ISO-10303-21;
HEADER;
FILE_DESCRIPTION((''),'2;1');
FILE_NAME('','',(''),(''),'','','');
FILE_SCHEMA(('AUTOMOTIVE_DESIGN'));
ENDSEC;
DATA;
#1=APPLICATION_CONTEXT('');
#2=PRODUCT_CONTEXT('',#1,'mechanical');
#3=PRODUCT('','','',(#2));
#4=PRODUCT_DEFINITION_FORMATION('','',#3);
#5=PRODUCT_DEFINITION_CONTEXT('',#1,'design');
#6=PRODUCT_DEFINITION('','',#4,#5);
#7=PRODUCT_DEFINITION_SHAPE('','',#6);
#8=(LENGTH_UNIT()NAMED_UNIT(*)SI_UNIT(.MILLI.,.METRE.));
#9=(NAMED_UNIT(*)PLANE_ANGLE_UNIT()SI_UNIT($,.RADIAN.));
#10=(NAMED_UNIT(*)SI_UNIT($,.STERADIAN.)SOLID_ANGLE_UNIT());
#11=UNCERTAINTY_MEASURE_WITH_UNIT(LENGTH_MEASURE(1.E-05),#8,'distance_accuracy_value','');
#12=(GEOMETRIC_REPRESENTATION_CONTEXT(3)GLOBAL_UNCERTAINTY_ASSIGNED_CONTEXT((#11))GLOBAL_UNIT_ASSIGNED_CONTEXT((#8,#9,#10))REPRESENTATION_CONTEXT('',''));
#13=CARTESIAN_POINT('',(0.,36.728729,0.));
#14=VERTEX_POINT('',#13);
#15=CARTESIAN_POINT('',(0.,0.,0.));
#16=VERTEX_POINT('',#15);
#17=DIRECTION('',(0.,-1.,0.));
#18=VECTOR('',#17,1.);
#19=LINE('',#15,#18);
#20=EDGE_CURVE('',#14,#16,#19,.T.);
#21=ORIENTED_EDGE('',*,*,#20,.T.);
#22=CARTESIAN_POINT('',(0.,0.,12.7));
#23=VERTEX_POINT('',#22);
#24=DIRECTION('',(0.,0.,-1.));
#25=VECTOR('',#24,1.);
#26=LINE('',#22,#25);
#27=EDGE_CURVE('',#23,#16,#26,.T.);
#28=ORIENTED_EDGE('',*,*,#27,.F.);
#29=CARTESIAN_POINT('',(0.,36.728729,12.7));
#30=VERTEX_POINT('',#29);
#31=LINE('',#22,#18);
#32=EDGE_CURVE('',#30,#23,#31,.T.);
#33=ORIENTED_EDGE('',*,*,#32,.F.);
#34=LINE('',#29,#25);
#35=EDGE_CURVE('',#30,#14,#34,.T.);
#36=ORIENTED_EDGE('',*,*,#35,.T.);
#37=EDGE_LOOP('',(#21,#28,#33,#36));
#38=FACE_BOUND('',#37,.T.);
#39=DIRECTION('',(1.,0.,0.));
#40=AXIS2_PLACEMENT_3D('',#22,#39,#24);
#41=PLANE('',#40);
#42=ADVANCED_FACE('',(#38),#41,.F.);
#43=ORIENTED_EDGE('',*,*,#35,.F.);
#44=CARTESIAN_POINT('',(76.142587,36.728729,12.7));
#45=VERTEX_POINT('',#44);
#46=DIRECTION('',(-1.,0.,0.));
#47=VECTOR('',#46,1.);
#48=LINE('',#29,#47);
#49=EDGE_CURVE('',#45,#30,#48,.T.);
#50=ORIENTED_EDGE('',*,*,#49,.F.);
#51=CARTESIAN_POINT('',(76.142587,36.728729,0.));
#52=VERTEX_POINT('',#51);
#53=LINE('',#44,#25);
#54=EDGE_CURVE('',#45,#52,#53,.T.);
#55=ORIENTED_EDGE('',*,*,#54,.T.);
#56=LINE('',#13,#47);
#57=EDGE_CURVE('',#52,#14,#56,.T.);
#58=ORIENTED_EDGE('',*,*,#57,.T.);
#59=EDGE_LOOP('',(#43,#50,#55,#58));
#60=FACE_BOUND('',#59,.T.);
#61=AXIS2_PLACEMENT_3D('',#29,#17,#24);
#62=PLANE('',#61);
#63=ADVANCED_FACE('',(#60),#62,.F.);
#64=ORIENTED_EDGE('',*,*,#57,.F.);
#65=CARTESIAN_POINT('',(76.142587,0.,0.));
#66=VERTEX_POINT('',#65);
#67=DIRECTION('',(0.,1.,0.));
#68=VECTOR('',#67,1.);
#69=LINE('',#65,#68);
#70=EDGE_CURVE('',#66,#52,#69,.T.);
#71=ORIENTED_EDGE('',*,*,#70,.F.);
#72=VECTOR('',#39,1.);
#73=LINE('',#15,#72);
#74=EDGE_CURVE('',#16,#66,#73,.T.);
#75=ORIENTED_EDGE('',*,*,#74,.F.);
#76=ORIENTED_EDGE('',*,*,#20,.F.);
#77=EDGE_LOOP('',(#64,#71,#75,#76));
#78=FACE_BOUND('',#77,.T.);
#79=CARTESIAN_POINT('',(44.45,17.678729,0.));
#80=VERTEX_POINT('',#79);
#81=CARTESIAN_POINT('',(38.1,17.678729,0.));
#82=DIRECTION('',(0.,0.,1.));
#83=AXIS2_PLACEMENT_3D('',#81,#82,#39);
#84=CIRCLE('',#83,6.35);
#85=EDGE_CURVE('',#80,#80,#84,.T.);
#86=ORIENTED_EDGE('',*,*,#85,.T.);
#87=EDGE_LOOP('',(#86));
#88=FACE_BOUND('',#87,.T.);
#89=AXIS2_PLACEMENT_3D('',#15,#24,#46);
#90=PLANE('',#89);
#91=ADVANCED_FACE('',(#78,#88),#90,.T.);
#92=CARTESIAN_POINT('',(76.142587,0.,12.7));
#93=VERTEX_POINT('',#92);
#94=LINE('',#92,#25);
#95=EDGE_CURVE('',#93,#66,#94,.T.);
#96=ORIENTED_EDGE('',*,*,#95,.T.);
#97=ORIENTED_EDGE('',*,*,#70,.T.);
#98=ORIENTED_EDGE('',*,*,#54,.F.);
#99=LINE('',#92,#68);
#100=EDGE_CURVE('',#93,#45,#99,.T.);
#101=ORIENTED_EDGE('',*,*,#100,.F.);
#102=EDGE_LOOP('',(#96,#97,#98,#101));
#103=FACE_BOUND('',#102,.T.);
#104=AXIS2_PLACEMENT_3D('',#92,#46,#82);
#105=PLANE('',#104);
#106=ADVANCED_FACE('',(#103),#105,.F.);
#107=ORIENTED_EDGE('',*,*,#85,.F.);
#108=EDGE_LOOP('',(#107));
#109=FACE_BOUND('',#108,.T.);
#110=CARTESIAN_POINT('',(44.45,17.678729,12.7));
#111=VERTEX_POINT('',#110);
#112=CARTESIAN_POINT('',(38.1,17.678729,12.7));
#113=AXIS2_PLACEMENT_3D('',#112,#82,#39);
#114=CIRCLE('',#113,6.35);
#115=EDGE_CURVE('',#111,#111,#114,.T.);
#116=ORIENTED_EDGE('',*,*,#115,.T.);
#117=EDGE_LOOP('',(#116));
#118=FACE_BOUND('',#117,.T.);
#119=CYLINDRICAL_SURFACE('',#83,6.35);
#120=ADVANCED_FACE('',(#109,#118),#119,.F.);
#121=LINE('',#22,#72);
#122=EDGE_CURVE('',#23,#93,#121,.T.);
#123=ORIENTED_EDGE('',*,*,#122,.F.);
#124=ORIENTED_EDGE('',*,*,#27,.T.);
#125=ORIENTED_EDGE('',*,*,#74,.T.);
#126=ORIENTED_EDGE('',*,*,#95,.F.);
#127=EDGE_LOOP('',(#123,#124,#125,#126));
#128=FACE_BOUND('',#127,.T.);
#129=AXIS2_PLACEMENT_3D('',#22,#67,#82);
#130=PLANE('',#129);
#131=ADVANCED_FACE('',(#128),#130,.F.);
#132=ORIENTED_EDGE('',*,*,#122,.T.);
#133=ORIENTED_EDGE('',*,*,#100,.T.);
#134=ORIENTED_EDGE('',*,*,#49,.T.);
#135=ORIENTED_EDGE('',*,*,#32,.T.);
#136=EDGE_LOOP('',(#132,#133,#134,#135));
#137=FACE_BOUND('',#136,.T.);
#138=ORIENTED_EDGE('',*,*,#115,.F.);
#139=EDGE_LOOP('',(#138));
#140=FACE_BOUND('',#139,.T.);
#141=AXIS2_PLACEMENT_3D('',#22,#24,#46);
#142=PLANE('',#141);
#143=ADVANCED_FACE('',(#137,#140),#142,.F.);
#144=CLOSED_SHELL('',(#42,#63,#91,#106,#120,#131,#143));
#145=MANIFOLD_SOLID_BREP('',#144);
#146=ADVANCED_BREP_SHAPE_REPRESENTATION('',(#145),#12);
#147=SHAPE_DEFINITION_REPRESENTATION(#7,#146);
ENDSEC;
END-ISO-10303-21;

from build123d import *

# Parameters (mm, degrees)
SKETCH1_W           = 76.142586727
SKETCH1_H           = 36.728728862
BOSS_EXTRUDE1_DEPTH = 12.7
SKETCH2_R           = 6.35
CUT_EXTRUDE1_DEPTH  = 13.7


with BuildPart() as part:
    # Sketch1 → Boss-Extrude1 (new body)
    with BuildSketch(Plane.XY):
        with Locations((38.071293364, 18.364364431)):
            Rectangle(SKETCH1_W, SKETCH1_H)
    extrude(amount=BOSS_EXTRUDE1_DEPTH)

    # Sketch2 → Cut-Extrude1 (cut, through all)
    with BuildSketch(Plane.XY.offset(12.7)):
        with Locations((38.1, 17.678728862)):
            Circle(SKETCH2_R)
    extrude(amount=-CUT_EXTRUDE1_DEPTH, mode=Mode.SUBTRACT)


solid = part.part
